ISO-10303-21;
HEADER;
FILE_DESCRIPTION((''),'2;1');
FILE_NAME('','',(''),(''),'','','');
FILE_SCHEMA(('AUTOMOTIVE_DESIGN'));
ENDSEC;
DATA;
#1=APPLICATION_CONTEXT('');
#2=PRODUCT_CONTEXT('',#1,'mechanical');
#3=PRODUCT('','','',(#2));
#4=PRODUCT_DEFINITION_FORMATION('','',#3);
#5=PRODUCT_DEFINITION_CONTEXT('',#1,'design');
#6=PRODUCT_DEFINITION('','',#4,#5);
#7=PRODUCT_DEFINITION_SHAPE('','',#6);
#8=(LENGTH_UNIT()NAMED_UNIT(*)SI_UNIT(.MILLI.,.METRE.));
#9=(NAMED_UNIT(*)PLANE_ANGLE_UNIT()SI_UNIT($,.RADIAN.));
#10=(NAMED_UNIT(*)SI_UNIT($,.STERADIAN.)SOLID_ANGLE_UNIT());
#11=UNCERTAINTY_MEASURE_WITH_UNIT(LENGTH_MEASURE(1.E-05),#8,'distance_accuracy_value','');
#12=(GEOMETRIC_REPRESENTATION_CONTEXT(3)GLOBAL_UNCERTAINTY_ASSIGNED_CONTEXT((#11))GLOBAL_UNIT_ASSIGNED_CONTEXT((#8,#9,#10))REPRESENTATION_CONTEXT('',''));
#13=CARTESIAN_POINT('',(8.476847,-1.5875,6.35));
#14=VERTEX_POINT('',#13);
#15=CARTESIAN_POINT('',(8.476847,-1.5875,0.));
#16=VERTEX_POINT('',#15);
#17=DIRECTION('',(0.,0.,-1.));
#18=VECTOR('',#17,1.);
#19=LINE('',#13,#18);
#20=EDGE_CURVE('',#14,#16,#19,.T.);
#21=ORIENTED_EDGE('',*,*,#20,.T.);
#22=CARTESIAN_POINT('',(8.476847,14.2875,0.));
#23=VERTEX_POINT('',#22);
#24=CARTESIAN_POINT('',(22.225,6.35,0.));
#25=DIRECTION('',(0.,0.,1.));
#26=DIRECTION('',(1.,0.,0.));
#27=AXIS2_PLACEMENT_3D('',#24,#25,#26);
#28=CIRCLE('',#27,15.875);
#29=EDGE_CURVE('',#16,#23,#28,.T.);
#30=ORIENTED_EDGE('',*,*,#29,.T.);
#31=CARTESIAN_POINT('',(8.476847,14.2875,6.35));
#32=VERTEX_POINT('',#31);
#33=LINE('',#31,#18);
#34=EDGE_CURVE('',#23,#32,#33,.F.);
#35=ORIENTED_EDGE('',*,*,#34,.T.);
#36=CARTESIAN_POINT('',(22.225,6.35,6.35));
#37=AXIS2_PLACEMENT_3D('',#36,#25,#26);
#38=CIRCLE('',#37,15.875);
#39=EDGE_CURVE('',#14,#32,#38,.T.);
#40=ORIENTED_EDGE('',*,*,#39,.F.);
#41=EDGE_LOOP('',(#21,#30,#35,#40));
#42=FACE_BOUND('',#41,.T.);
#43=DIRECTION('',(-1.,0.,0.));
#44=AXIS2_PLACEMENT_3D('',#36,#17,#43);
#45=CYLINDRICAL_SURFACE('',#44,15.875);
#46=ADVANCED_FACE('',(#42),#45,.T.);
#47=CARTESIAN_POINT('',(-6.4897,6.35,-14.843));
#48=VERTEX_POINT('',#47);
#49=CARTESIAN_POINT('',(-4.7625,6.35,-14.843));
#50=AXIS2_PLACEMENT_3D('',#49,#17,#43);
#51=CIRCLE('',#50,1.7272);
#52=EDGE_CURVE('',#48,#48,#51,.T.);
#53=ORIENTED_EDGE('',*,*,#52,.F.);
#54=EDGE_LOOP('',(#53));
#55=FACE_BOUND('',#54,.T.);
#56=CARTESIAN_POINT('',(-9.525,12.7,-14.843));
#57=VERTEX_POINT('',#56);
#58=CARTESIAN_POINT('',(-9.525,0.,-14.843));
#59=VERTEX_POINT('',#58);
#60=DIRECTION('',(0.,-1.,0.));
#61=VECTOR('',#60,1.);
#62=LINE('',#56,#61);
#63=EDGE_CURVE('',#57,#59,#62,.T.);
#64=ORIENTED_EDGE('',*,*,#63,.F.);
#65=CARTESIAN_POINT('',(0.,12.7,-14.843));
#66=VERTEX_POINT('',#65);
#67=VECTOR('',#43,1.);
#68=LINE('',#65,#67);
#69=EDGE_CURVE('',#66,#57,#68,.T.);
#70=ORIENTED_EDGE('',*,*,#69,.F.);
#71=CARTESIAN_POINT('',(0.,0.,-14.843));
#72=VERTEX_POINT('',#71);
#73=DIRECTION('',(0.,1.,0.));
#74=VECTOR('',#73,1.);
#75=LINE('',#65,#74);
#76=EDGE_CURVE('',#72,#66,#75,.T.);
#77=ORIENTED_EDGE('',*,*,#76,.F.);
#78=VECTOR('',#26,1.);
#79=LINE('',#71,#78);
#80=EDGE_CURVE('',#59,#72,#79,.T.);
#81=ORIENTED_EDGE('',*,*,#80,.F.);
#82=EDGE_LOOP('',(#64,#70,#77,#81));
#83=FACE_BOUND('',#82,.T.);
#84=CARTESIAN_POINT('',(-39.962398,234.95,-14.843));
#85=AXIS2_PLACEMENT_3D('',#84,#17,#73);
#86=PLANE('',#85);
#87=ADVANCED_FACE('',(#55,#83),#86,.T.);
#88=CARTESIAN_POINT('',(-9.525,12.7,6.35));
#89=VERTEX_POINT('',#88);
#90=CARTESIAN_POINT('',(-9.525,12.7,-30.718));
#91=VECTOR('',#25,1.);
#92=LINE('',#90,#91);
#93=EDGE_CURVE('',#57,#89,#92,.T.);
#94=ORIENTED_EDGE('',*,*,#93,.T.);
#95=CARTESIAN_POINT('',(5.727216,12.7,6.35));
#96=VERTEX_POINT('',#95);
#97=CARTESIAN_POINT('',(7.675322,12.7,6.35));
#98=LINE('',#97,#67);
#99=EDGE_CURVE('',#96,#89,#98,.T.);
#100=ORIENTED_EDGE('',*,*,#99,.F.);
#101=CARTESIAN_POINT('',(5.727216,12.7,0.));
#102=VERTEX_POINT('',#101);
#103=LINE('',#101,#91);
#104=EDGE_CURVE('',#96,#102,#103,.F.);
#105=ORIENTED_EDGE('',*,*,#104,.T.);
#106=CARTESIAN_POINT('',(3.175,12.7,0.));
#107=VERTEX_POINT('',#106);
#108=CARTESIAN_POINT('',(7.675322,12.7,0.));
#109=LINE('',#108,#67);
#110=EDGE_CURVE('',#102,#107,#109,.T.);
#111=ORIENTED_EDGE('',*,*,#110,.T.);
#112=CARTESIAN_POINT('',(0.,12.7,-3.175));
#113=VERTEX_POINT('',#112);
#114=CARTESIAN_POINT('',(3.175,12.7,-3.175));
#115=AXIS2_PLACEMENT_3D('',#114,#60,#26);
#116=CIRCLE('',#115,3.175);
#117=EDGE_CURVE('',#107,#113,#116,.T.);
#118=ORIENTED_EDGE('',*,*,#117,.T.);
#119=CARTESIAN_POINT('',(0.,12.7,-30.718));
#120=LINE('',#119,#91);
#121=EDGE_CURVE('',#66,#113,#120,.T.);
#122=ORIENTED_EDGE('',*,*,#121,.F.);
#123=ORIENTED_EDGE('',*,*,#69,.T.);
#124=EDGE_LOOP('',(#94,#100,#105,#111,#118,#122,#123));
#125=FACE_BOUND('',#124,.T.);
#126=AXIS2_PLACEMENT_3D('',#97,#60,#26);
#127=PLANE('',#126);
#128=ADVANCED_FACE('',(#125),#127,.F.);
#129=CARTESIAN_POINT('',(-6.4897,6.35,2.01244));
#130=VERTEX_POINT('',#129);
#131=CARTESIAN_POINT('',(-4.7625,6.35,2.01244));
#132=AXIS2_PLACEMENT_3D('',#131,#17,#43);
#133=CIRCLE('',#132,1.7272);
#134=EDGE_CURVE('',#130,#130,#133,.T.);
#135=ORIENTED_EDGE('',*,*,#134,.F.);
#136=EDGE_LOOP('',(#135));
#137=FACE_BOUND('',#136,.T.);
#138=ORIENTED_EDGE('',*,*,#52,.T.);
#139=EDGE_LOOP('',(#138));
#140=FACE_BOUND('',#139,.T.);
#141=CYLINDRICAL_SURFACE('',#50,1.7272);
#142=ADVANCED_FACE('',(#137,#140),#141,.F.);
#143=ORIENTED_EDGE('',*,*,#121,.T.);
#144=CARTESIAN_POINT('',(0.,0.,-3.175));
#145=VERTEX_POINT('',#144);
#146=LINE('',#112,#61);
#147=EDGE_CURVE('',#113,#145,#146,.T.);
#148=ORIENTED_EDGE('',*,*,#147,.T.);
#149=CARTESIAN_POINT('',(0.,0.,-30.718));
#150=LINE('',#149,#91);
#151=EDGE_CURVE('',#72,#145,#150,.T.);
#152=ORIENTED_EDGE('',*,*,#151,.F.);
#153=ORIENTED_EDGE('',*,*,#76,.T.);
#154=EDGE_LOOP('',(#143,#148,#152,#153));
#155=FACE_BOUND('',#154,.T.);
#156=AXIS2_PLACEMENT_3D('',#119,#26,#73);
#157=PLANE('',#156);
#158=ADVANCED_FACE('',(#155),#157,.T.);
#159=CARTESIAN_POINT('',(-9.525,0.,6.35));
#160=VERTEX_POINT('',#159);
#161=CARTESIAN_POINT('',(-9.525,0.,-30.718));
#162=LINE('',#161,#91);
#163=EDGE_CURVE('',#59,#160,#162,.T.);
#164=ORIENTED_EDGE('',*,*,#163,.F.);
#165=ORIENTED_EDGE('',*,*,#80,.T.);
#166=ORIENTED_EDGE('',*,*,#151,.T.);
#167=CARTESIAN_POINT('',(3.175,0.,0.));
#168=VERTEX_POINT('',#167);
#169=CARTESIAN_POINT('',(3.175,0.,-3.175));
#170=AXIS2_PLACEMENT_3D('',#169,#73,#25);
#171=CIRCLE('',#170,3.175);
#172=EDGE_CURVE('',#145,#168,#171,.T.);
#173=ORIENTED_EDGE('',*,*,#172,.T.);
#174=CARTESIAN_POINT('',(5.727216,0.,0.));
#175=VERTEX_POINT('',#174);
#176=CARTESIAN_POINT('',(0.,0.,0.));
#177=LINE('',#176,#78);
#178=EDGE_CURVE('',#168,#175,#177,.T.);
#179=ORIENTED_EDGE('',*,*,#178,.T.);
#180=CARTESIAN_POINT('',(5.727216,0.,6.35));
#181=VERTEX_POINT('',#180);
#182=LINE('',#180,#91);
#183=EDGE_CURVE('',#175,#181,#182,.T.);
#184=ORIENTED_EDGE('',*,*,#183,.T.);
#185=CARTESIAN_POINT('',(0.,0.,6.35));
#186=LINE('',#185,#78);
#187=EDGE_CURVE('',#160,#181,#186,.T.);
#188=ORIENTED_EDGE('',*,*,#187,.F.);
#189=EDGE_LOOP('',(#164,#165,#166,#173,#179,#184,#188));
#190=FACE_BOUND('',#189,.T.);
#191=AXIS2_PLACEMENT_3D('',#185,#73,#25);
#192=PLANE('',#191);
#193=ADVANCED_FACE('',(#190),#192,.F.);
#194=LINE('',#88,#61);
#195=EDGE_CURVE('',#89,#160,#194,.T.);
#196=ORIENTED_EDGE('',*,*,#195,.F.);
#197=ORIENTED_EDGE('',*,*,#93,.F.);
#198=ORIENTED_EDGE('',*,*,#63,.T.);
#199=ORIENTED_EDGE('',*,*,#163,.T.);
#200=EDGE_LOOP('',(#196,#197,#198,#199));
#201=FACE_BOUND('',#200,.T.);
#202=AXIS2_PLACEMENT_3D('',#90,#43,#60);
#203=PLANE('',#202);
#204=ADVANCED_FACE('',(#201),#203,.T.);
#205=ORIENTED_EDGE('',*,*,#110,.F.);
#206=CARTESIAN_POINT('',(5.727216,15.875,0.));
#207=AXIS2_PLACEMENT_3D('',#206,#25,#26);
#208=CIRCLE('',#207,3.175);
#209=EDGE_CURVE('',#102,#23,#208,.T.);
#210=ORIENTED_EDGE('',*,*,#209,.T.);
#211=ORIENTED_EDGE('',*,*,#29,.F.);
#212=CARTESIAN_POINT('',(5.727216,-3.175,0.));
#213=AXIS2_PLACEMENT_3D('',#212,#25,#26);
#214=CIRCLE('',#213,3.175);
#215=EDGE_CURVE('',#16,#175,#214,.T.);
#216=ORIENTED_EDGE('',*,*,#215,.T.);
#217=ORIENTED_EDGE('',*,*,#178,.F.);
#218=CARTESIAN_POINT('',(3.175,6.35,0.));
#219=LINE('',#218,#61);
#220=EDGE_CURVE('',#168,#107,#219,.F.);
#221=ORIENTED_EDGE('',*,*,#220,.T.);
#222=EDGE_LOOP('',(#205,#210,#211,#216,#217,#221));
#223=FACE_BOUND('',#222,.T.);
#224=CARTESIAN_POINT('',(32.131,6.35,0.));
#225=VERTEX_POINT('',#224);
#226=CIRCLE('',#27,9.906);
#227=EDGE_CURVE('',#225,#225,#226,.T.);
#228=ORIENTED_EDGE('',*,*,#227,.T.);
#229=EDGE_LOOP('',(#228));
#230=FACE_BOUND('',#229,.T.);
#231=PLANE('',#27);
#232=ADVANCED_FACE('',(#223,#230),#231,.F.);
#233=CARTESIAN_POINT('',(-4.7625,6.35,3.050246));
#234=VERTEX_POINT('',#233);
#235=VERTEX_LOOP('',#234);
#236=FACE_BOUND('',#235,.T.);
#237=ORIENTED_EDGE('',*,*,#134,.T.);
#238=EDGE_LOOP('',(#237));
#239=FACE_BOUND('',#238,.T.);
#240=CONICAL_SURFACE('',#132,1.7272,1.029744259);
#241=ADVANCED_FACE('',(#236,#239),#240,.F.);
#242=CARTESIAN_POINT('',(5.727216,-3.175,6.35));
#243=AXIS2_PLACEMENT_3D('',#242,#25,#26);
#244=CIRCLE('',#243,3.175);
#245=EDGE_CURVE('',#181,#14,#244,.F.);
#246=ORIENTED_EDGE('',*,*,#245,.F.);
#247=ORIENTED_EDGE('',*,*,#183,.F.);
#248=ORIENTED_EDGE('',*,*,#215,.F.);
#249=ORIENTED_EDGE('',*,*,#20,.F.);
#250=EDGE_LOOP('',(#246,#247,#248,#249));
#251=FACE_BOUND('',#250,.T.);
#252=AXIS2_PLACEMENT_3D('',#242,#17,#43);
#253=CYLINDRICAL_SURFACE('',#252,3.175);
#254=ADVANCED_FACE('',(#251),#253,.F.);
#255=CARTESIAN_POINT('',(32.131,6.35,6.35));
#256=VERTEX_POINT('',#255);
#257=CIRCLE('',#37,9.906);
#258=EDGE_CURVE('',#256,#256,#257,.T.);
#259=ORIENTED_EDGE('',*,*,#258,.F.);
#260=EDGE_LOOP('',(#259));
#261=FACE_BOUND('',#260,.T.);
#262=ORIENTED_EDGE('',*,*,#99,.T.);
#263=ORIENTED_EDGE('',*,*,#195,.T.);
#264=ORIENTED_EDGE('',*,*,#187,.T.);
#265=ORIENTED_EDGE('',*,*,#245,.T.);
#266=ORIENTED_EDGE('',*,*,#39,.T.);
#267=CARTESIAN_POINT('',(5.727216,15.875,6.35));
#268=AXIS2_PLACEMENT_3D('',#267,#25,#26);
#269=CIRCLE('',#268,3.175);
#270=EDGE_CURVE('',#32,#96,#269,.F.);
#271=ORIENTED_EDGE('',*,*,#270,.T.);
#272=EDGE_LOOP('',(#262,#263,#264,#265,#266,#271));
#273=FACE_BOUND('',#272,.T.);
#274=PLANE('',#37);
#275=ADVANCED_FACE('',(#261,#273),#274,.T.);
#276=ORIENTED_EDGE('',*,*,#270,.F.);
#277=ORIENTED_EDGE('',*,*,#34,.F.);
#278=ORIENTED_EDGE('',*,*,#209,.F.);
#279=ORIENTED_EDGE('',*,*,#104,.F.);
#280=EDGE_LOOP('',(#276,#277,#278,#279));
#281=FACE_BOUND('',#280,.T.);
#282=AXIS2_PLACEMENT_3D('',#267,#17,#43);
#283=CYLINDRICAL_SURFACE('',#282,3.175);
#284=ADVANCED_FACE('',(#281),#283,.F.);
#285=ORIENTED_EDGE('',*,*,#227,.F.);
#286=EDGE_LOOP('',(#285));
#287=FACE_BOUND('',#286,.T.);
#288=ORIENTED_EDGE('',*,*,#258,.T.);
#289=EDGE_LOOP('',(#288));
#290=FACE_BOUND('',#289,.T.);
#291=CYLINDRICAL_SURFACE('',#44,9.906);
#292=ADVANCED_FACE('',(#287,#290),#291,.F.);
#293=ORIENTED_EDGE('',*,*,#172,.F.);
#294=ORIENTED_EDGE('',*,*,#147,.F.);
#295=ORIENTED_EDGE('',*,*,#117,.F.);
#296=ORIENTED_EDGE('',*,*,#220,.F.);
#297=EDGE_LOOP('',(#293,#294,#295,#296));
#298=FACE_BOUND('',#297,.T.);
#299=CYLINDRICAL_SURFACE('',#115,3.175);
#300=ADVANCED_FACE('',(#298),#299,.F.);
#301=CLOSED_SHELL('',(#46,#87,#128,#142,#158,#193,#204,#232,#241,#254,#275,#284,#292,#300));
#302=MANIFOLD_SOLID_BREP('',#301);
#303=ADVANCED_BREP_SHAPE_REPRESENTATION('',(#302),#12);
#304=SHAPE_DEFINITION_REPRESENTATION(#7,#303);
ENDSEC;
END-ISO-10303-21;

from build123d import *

# Parameters (mm, degrees)
SKETCH1_R                 = 9.906
BOSS_EXTRUDE1_DEPTH       = 6.35
SKETCH2_W                 = 9.525
SKETCH2_H                 = 12.7
BOSS_EXTRUDE2_DEPTH       = 21.193
F_8_32_TAPPED_HOLE1_D     = 3.4544
F_8_32_TAPPED_HOLE1_DEPTH = 16.85544
F_8_32_TAPPED_HOLE1_TIP   = 1.037806461
FILLET1_R                 = 3.175


with BuildPart() as part:
    # Sketch1 → Boss-Extrude1 (new body)
    with BuildSketch(Plane.XY):
        with BuildLine():
            Line((7.675322169, 12.7), (0, 12.7))
            Line((0, 12.7), (0, 0))
            Line((0, 0), (7.675322169, 0))
            ThreePointArc((7.675322169, 0), (38.1, 6.35), (7.675322169, 12.7))
        make_face()
        with Locations((22.225, 6.35)):
            Circle(SKETCH1_R, mode=Mode.SUBTRACT)
    extrude(amount=BOSS_EXTRUDE1_DEPTH)

    # Sketch2 → Boss-Extrude2 (add)
    with BuildSketch(Plane.XY.offset(6.35)):
        with Locations((-4.7625, 6.35)):
            Rectangle(SKETCH2_W, SKETCH2_H)
    extrude(amount=-BOSS_EXTRUDE2_DEPTH)

    # #8-32 Tapped Hole1
    with Locations(Plane(origin=(0, 0, -14.843), x_dir=(-1, 0, 0), z_dir=(0, 0, -1))):
        with Locations((4.7625, 6.35)):
            Hole(F_8_32_TAPPED_HOLE1_D / 2, depth=F_8_32_TAPPED_HOLE1_DEPTH)
            with Locations((0, 0, -(F_8_32_TAPPED_HOLE1_DEPTH + F_8_32_TAPPED_HOLE1_TIP / 2))):  # 118° drill point
                Cone(0, F_8_32_TAPPED_HOLE1_D / 2, F_8_32_TAPPED_HOLE1_TIP, mode=Mode.SUBTRACT)

    # Fillet1
    fillet1_edges = [part.edges().sort_by_distance(p)[0] for p in [
        (0, 6.35, 0),
        (7.675322169, 12.7, 3.175),
        (7.675322169, 0, 3.175),
    ]]
    fillet(fillet1_edges, radius=FILLET1_R)


solid = part.part
